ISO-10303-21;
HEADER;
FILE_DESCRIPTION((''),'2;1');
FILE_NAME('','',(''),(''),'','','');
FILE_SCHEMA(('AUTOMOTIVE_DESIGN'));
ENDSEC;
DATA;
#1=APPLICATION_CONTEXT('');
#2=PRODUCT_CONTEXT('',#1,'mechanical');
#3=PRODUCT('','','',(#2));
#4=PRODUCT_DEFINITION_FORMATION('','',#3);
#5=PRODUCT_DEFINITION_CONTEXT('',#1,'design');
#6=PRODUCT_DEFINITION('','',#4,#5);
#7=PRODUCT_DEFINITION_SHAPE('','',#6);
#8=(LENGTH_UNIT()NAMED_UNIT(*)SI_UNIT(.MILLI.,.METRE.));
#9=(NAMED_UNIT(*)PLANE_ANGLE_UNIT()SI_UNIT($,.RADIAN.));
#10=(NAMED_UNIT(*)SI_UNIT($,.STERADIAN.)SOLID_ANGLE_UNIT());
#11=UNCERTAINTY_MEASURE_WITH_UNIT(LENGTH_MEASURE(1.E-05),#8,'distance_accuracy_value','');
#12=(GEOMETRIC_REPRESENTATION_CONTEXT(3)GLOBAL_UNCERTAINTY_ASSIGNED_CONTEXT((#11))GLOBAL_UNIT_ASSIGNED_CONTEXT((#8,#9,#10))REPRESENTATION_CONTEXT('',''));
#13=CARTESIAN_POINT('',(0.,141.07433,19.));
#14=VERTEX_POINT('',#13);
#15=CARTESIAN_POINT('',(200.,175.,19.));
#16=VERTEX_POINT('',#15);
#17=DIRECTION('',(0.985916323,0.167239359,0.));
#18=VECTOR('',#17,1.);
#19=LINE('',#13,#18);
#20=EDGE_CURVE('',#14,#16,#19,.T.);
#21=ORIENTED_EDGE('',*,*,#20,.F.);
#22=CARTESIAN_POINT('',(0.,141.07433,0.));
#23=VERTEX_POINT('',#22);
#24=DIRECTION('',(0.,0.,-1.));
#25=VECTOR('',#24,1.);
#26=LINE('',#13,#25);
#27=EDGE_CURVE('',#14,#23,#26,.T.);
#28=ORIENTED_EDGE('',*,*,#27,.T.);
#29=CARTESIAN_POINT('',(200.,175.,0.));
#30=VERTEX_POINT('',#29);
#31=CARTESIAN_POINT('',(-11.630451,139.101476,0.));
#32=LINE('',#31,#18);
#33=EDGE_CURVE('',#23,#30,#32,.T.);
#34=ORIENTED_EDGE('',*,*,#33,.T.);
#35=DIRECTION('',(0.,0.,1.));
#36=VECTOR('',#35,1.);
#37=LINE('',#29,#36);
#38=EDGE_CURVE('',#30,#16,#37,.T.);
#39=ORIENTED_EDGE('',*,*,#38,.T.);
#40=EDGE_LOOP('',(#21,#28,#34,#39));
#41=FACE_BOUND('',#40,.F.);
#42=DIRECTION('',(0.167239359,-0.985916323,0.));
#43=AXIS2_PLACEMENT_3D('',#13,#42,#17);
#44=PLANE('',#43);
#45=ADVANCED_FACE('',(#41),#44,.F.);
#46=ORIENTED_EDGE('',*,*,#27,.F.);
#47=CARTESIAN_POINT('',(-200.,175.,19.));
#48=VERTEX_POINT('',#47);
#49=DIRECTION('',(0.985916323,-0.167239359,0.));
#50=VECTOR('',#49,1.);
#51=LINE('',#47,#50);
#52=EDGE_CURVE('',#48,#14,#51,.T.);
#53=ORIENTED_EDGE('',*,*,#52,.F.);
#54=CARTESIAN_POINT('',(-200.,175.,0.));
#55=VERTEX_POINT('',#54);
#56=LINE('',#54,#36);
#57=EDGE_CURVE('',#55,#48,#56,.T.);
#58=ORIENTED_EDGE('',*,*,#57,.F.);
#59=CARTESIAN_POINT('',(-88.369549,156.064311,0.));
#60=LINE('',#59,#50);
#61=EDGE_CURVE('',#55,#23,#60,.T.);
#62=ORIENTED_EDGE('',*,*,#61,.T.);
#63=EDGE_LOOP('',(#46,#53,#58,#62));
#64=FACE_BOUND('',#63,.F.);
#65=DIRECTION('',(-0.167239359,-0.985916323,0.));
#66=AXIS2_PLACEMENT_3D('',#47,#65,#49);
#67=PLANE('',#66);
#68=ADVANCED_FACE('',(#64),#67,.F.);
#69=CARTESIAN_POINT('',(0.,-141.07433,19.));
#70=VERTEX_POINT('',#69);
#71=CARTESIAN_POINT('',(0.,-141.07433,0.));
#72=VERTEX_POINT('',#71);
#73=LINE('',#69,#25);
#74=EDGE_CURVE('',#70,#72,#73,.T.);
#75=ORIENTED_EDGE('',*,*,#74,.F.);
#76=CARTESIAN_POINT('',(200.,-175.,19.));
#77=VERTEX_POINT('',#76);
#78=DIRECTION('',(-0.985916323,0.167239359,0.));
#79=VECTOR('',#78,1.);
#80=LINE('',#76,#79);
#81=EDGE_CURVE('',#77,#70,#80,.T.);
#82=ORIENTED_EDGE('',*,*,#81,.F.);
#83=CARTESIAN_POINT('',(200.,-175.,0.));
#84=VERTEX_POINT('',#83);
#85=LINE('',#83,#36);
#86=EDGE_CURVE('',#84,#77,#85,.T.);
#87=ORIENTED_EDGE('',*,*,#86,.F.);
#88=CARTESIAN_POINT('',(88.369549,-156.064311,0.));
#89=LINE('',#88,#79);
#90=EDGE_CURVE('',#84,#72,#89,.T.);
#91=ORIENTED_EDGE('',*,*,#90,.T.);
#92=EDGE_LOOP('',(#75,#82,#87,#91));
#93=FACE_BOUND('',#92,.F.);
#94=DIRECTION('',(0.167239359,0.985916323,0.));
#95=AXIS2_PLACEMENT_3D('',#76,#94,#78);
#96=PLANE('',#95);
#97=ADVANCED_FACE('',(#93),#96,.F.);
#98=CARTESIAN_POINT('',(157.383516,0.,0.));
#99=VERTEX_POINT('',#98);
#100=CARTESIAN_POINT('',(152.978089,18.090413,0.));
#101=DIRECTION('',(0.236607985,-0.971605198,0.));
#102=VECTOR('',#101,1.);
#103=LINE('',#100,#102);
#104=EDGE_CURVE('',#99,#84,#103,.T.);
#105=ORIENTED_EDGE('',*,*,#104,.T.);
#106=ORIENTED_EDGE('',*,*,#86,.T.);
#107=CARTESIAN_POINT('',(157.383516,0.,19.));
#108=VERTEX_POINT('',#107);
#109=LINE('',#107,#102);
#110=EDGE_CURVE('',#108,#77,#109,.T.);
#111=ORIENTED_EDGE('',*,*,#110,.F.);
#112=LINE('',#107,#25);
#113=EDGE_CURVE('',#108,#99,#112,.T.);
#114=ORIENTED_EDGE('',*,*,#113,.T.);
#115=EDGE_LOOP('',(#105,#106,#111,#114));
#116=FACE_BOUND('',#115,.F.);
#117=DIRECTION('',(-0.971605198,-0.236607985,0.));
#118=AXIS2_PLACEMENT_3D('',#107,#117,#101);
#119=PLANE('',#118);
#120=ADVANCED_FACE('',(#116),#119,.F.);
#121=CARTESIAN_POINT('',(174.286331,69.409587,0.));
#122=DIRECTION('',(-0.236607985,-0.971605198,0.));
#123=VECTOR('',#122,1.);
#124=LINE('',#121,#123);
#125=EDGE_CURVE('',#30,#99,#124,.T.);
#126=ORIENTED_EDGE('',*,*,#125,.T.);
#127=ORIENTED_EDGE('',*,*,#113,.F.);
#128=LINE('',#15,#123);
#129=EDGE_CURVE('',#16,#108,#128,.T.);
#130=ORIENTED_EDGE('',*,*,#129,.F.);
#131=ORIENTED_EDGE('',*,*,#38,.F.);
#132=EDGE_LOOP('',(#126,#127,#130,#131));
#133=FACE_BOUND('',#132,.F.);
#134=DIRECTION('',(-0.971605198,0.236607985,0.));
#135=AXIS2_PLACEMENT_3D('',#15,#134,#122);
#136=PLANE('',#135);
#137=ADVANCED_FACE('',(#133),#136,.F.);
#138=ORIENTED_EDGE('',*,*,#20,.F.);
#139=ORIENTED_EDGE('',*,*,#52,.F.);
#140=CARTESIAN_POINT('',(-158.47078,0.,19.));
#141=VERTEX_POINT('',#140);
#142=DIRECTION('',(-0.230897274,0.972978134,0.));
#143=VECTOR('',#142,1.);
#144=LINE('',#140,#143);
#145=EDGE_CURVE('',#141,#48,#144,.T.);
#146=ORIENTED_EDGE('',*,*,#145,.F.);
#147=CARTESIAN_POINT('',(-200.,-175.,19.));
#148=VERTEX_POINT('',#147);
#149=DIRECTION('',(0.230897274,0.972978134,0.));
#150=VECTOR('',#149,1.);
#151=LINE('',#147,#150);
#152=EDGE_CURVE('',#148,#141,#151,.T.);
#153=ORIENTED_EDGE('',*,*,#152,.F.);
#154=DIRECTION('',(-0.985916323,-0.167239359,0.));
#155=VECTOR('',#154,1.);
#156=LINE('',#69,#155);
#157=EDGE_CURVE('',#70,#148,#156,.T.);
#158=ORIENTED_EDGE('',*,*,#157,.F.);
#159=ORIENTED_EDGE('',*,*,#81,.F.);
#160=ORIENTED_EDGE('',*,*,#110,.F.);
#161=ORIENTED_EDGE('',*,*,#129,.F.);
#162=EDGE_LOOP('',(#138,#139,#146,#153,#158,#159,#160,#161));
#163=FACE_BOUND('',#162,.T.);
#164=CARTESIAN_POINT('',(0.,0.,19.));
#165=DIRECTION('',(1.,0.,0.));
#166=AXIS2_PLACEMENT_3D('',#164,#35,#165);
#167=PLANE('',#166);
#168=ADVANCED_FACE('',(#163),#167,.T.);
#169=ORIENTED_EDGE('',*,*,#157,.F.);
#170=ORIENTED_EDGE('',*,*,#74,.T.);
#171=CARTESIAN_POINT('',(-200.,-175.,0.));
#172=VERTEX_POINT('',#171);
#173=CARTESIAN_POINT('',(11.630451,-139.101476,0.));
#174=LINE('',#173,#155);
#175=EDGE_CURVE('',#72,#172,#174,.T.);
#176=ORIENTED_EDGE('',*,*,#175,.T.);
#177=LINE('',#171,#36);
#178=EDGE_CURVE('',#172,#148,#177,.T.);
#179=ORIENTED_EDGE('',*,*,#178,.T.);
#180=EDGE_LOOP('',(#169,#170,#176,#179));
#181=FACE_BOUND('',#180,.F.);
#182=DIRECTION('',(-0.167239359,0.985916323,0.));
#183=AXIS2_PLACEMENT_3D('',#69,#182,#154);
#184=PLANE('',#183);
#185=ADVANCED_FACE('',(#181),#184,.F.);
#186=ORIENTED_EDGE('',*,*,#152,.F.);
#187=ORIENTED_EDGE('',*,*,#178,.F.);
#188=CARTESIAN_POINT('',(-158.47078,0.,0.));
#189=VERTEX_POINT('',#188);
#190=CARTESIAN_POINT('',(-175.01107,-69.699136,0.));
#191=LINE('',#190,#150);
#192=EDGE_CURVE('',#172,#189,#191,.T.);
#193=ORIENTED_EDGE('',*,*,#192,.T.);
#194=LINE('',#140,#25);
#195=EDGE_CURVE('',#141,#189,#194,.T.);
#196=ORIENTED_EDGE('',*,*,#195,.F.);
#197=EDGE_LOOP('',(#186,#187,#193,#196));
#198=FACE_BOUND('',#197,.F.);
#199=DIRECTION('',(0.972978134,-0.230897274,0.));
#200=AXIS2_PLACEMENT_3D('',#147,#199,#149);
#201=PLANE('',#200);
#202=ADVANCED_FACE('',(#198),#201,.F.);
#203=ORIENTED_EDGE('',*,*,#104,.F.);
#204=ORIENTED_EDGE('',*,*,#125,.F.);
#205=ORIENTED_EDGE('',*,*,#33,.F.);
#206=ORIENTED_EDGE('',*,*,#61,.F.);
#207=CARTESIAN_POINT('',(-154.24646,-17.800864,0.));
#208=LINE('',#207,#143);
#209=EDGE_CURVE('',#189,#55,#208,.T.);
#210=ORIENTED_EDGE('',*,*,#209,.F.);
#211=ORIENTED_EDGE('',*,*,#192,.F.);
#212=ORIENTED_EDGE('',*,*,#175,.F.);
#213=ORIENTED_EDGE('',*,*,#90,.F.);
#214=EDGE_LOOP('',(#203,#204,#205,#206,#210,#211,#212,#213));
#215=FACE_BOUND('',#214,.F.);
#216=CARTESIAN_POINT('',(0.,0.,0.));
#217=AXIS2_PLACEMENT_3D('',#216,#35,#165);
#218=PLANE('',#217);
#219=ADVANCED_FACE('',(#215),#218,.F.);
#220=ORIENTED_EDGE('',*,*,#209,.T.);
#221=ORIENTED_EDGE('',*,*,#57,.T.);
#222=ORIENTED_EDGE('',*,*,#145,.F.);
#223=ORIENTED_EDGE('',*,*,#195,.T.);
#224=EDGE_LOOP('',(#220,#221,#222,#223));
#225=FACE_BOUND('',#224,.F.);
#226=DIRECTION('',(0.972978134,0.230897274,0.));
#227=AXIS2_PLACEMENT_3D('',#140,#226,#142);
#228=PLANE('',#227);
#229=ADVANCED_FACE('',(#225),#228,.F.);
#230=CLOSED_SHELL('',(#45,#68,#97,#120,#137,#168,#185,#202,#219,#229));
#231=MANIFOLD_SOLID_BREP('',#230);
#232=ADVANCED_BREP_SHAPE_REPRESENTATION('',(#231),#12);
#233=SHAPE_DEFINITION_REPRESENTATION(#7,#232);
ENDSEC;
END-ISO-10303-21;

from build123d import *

# Parameters (mm, degrees)
F0_W     = 400
F0_H     = 350
F1_DEPTH = 19
F3_DEPTH = 19.001


with BuildPart() as f1:
    # F0 (on Top) → F1 (new body)
    with BuildSketch(Plane.XY):
        Rectangle(F0_W, F0_H)
    extrude(amount=F1_DEPTH)

    # F2 (on face) → F3 (cut, through all)
    with BuildSketch(Plane.XY.offset(19)):
        Polygon((-200, 175), (-200, -175), (-158.47078, 0), align=None)
        Polygon((0, -141.07433), (-200, -175), (200, -175), align=None)
        Polygon((157.383516, 0), (200, -175), (200, 175), align=None)
        Polygon((200, 175), (-200, 175), (0, 141.07433), align=None)
    extrude(amount=-F3_DEPTH, mode=Mode.SUBTRACT)


solid = f1.part
